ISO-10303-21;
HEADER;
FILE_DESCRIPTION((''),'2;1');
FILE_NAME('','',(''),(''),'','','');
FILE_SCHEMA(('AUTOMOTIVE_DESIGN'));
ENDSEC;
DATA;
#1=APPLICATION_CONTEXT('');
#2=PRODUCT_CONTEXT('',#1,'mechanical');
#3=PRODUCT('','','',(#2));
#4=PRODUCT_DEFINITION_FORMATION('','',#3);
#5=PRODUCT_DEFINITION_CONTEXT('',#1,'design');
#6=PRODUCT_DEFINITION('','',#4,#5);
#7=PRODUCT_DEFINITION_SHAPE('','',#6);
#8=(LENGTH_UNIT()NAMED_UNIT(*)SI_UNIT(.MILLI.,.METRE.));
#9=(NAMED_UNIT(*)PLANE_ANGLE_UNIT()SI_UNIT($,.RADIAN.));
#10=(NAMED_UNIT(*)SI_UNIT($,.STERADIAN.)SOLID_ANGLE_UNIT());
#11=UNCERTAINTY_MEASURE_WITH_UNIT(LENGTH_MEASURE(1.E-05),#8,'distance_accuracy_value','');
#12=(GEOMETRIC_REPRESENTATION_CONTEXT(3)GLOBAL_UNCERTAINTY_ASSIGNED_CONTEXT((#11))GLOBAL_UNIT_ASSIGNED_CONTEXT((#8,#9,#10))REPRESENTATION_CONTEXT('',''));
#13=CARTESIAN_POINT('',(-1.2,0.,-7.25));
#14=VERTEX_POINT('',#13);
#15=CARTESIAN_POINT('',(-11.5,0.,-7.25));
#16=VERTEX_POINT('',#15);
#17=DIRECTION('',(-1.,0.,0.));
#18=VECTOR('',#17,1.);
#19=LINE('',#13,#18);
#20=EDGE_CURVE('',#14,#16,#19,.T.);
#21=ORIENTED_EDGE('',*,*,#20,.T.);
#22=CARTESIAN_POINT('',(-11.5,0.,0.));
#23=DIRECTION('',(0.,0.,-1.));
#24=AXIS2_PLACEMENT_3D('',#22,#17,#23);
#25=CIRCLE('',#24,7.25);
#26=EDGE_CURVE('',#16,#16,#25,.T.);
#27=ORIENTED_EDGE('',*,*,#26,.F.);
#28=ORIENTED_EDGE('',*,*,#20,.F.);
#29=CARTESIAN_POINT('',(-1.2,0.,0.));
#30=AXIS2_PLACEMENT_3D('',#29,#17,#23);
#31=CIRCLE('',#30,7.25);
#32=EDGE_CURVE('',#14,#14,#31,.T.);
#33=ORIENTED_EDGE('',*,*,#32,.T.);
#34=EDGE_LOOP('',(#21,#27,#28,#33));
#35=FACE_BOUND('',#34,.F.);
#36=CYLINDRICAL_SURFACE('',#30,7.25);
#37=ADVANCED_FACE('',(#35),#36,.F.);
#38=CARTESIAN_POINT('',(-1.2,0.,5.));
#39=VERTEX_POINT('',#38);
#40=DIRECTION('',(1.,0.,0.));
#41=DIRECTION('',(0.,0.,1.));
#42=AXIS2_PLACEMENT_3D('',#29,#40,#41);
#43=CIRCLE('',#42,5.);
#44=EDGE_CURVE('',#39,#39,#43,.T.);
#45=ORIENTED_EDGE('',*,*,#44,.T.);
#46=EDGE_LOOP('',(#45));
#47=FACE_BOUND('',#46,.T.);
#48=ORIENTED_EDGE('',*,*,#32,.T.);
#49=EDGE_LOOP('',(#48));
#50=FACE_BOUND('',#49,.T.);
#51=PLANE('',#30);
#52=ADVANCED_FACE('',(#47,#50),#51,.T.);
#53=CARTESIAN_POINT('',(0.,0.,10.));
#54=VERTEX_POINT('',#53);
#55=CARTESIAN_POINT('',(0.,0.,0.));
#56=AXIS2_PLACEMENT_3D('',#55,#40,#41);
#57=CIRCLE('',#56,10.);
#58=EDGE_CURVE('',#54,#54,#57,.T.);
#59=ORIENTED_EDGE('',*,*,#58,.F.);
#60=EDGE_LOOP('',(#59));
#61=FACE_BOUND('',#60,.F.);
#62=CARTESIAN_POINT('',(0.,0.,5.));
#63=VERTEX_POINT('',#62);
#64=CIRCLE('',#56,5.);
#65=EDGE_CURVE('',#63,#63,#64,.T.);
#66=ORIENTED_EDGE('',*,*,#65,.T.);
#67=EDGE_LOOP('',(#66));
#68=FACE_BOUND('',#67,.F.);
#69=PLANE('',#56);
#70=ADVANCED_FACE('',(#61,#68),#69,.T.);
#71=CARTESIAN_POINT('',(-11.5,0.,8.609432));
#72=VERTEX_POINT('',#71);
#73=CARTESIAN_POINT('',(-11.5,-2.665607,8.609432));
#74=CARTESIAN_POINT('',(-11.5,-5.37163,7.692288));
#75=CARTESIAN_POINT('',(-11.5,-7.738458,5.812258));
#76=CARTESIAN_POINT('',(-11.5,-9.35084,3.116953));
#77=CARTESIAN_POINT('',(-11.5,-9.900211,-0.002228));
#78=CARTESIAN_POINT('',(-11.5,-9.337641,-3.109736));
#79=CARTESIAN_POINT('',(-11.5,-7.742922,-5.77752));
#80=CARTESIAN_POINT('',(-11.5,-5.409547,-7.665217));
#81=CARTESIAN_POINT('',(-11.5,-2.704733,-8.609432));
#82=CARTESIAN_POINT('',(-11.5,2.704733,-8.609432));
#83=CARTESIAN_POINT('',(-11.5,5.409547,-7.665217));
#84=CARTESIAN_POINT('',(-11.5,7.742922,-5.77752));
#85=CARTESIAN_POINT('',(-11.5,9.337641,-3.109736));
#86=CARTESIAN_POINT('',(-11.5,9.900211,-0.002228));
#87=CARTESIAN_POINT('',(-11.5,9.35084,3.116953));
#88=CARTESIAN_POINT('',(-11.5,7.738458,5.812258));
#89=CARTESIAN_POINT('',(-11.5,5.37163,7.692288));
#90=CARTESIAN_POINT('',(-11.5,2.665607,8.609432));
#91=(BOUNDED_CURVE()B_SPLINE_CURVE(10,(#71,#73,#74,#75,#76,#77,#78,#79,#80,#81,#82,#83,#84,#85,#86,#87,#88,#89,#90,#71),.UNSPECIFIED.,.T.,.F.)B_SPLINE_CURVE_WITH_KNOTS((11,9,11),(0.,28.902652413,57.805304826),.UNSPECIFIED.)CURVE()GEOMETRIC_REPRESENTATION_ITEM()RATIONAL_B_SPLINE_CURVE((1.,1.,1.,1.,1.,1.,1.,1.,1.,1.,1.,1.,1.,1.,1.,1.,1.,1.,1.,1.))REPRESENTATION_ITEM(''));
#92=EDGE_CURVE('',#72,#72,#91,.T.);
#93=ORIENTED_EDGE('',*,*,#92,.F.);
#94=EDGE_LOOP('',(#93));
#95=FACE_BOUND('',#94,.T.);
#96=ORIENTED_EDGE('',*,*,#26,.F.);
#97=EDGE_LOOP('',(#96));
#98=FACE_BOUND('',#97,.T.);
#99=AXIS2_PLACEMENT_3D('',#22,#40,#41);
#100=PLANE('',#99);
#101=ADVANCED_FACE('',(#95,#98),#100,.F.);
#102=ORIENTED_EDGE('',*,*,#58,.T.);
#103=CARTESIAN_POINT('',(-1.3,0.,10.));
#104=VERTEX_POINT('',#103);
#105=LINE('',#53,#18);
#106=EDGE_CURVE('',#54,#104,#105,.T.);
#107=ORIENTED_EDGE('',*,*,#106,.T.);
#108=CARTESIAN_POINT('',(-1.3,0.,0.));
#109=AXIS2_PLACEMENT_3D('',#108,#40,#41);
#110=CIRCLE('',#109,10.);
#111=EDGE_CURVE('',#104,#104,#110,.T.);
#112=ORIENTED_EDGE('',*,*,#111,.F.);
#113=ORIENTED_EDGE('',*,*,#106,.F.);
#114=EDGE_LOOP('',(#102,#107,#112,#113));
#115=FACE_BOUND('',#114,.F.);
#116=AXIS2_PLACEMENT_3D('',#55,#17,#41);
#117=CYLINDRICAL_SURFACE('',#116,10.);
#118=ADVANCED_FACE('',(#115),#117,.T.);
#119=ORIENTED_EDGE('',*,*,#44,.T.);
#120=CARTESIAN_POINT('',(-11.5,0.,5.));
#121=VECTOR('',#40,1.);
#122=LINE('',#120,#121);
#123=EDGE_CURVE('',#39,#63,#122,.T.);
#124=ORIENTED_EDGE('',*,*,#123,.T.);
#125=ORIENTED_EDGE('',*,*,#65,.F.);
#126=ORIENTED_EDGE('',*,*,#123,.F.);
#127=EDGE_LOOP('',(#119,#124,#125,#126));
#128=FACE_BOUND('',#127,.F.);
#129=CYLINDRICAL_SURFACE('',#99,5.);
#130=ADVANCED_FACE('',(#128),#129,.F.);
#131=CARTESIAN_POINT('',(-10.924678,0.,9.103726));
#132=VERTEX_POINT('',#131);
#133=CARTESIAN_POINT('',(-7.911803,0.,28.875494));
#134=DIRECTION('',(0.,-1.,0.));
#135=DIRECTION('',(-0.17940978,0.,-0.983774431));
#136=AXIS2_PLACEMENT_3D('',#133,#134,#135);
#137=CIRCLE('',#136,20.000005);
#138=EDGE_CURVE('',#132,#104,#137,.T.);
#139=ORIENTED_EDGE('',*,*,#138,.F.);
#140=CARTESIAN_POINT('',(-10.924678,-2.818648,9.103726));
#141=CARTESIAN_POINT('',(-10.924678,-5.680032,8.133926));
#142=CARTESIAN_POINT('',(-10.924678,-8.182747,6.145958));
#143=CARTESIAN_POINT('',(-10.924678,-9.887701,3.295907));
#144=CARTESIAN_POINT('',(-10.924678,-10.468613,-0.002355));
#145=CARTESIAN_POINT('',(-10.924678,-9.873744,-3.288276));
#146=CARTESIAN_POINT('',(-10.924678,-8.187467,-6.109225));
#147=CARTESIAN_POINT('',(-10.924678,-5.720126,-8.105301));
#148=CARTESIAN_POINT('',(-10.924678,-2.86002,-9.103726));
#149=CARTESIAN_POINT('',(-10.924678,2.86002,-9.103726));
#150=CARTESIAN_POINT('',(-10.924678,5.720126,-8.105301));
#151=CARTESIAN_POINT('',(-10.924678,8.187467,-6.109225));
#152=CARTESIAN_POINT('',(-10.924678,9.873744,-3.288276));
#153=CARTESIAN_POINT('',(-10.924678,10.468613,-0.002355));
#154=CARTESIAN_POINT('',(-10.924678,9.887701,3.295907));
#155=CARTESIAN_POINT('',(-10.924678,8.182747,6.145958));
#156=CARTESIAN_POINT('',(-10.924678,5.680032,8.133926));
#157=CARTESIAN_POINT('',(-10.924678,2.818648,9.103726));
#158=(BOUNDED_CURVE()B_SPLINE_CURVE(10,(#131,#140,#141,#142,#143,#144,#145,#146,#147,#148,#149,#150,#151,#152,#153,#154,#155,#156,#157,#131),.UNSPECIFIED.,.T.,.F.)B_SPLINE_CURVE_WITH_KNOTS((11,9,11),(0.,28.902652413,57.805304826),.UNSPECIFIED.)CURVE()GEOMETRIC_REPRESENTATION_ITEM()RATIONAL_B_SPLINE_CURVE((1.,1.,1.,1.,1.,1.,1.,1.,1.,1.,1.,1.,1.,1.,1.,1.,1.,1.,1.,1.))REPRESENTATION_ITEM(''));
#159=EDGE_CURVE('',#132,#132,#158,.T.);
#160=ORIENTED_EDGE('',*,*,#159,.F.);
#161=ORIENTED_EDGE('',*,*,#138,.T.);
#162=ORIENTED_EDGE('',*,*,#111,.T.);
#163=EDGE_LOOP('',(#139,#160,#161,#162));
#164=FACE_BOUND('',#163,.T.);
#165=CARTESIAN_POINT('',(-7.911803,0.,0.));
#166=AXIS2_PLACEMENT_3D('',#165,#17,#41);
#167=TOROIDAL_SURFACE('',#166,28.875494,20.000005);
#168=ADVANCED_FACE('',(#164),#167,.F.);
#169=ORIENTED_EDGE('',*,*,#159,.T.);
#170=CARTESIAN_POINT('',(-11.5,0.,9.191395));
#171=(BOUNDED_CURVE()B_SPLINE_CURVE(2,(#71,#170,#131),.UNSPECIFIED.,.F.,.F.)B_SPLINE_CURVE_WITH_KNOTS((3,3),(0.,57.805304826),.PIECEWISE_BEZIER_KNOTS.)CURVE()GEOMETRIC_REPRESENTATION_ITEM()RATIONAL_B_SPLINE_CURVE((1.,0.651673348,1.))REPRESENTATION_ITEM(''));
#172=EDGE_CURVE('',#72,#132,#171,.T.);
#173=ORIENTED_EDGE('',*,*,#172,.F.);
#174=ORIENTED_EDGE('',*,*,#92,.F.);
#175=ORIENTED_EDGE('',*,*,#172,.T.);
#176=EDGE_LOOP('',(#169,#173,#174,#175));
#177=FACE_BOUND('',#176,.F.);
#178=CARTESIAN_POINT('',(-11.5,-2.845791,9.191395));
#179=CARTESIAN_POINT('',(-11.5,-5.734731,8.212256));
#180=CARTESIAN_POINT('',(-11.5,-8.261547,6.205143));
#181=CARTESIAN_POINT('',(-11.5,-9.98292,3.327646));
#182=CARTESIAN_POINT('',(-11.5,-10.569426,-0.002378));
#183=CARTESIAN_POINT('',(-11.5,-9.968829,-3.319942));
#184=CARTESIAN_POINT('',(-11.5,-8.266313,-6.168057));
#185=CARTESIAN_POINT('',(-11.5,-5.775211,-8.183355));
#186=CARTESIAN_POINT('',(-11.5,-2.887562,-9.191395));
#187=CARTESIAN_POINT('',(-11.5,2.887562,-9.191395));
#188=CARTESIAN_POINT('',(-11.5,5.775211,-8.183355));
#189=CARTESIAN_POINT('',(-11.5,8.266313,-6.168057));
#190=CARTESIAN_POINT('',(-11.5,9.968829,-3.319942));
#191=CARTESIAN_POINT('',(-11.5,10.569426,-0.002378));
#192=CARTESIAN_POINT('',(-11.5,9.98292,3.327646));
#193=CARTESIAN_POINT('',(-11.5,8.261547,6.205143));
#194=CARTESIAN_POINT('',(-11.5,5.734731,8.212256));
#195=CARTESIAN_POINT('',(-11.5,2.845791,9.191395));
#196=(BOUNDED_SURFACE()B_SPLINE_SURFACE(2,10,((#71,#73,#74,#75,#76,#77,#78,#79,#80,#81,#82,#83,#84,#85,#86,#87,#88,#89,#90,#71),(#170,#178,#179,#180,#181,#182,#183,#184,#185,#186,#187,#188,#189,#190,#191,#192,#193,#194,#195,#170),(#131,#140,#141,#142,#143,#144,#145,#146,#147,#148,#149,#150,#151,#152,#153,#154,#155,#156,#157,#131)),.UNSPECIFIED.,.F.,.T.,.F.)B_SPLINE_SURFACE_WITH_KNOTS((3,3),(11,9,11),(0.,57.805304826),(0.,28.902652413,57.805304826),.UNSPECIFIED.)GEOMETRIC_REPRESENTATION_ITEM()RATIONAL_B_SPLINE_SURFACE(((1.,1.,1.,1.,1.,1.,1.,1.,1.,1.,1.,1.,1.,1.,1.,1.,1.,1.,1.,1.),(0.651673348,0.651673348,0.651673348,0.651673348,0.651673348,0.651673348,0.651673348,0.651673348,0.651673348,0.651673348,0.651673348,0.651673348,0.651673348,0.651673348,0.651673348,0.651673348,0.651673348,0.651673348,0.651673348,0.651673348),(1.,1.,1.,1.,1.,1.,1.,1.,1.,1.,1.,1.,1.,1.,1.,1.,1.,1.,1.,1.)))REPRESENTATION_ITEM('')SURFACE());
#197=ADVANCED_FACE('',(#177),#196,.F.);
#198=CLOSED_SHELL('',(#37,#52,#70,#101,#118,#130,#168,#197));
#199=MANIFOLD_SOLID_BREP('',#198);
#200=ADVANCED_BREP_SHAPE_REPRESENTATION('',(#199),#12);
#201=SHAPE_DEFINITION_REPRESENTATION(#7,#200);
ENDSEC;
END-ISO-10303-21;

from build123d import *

# Parameters (mm, degrees)
HOLE001_D           = 10
HOLE001_CBORE_D     = 14.5
HOLE001_CBORE_DEPTH = 10.3
FILLET001_R         = 0.5


with BuildPart() as part:
    # Sketch011 → Revolution003 (revolve)
    with BuildSketch(Plane.XZ):
        with BuildLine():
            Line((0, 0), (-11.5, 0))
            Line((-11.5, 0), (-11.5, 9.2))
            ThreePointArc((-11.5, 9.2), (-6.347978, 8.936721), (-1.3, 10))
            Line((0, 10), (-1.3, 10))
            Line((0, 0), (0, 10))
        make_face()
    revolve(axis=Axis((0, 0, 0), (1, 0, 0)))

    # Hole001 (through all)
    with Locations(Plane(origin=(-11.5, 0, 0), x_dir=(0, 0, -1), z_dir=(-1, 0, 0))):
        with Locations((0, 0)):
            CounterBoreHole(HOLE001_D / 2, HOLE001_CBORE_D / 2, HOLE001_CBORE_DEPTH)

    # Fillet001
    fillet001_edges = [part.edges().sort_by_distance(p)[0] for p in [
        (-11.5, 0, -9.2),
    ]]
    fillet(fillet001_edges, radius=FILLET001_R)


solid = part.part
